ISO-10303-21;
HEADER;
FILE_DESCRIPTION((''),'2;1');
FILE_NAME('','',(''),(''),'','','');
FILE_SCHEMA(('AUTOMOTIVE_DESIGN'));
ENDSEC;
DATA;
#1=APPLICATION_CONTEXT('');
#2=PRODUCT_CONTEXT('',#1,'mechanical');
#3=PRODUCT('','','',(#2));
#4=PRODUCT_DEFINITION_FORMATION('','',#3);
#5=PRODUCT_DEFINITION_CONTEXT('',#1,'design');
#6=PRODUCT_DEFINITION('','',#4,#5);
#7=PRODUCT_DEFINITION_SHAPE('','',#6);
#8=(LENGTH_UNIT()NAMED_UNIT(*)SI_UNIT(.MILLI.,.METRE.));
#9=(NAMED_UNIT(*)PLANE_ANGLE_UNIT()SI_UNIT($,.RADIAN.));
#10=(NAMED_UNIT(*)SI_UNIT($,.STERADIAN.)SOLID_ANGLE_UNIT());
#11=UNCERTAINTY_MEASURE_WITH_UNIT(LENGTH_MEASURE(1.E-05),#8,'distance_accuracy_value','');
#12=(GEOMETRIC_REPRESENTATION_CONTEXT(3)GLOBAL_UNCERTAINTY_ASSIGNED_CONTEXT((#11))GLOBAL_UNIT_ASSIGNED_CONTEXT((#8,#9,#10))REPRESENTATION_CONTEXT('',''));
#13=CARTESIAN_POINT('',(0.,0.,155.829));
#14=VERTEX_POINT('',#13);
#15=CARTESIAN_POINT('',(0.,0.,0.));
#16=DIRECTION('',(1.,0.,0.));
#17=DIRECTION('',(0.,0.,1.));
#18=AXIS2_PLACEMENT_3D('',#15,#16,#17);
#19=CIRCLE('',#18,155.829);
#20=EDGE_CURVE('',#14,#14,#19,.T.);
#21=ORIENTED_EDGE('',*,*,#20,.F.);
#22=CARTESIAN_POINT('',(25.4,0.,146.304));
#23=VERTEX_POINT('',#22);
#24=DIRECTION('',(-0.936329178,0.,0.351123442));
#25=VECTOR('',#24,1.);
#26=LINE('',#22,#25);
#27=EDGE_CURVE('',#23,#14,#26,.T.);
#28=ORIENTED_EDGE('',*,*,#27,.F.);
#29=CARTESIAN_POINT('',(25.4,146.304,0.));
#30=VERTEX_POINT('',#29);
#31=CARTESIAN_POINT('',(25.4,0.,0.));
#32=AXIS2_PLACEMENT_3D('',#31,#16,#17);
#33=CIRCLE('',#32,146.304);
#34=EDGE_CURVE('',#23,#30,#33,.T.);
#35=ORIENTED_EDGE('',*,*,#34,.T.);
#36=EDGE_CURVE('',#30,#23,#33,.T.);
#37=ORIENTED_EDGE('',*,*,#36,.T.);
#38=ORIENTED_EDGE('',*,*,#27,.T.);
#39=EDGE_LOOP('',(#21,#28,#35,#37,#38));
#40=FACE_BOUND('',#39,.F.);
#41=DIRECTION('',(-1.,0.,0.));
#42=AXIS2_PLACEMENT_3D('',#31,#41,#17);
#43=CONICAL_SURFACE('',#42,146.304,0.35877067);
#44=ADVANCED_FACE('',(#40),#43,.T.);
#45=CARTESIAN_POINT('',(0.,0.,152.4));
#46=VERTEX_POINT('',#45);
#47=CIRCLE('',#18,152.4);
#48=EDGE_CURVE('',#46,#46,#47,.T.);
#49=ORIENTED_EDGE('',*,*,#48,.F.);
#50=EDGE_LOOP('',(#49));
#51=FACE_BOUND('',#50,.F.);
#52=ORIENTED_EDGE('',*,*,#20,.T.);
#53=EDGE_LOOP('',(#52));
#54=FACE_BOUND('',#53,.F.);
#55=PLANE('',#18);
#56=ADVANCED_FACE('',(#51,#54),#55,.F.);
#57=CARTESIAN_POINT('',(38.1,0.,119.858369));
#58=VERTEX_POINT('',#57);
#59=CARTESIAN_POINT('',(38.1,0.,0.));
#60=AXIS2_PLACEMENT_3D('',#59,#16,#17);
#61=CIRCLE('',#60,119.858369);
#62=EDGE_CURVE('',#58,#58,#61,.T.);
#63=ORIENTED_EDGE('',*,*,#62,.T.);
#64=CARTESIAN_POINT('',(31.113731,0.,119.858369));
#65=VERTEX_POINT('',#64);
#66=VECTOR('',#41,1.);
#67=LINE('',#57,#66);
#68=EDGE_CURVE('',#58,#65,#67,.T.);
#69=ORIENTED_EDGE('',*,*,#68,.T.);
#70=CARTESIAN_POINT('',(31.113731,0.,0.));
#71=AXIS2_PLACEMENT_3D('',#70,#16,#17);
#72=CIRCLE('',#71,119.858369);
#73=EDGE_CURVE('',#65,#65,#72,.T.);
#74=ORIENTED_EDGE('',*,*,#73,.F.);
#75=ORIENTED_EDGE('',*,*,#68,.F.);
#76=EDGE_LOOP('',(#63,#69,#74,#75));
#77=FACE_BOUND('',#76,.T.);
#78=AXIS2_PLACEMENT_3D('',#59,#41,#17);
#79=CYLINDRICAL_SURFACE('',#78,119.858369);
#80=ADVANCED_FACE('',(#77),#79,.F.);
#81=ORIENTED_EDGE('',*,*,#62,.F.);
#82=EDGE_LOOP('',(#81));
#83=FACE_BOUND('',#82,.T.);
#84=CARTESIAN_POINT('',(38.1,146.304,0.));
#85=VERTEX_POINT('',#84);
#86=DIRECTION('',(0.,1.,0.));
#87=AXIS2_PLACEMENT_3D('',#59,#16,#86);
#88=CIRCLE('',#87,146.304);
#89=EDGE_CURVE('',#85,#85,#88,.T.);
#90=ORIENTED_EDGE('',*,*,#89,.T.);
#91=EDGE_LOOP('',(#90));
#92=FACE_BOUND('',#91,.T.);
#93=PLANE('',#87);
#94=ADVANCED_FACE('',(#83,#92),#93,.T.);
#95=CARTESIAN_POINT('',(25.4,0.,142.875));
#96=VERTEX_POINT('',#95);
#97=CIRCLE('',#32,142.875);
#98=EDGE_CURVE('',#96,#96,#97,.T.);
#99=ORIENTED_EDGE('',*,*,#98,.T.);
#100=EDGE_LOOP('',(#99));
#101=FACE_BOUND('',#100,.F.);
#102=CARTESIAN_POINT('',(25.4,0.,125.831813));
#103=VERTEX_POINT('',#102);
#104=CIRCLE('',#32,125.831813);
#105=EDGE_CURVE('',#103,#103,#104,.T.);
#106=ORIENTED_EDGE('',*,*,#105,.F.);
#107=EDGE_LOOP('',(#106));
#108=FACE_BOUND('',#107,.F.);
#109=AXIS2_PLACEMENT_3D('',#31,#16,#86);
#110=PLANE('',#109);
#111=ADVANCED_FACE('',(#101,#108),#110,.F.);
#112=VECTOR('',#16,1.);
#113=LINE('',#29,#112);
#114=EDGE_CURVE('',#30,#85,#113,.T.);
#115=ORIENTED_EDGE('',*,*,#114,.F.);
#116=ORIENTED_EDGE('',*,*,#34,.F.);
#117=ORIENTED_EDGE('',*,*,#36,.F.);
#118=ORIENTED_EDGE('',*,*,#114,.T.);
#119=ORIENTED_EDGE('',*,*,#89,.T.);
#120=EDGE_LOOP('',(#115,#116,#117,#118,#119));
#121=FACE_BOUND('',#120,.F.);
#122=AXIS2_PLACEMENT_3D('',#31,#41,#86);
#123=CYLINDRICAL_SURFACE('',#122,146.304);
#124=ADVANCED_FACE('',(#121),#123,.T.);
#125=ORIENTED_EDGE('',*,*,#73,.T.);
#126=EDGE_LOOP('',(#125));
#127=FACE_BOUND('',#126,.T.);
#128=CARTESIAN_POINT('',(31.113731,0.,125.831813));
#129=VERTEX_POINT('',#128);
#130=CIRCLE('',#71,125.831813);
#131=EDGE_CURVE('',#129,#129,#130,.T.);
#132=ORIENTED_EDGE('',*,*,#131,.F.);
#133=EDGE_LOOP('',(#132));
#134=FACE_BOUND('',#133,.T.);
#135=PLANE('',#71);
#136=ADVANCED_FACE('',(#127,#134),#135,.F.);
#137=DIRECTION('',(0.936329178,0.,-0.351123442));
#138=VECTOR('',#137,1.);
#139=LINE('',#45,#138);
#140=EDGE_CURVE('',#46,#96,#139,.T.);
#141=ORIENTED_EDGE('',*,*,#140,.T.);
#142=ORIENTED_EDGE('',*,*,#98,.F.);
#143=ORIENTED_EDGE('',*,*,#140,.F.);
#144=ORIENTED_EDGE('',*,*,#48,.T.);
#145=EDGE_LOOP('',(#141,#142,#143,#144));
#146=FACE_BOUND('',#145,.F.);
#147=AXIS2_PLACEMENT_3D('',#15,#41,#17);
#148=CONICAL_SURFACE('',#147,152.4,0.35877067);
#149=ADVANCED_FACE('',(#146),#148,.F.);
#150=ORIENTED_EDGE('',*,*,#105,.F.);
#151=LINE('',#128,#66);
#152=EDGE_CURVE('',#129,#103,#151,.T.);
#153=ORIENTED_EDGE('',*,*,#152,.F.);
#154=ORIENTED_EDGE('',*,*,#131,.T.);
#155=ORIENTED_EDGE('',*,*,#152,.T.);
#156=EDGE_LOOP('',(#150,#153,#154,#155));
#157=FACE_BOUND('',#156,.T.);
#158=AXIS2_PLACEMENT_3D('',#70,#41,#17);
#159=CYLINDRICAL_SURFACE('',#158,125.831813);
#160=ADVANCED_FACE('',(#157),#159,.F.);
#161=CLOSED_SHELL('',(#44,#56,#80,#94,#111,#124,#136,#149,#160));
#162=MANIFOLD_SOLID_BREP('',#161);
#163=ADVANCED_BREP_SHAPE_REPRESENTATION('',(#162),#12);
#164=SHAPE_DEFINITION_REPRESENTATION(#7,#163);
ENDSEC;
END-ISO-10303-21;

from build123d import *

# Parameters (mm, degrees)
F2_R     = 146.304
F3_DEPTH = 12.7


with BuildPart() as f1:
    # F0 (on Front) → F1 (revolve)
    with BuildSketch(Plane.XZ):
        Polygon((0, 155.829), (0, 152.4), (25.4, 142.875), (25.4, 146.304), align=None)
    revolve(axis=Axis((14.760356, 0, 0), (1, 0, 0)))

    # F2 (on face) → F3 (join)
    with BuildSketch(Plane.YZ.offset(25.4)):
        Circle(F2_R)
    extrude(amount=F3_DEPTH)

    # F4 (on Front) → F5 (revolve, cut)
    with BuildSketch(Plane.XZ):
        Polygon((31.113731, 125.831813), (25.4, 125.831813), (25.4, 0), (38.1, 0), (38.1, 119.858369), (31.113731, 119.858369), align=None)
    revolve(axis=Axis((39.318715, 0, 0), (1, 0, 0)), mode=Mode.SUBTRACT)


solid = f1.part
